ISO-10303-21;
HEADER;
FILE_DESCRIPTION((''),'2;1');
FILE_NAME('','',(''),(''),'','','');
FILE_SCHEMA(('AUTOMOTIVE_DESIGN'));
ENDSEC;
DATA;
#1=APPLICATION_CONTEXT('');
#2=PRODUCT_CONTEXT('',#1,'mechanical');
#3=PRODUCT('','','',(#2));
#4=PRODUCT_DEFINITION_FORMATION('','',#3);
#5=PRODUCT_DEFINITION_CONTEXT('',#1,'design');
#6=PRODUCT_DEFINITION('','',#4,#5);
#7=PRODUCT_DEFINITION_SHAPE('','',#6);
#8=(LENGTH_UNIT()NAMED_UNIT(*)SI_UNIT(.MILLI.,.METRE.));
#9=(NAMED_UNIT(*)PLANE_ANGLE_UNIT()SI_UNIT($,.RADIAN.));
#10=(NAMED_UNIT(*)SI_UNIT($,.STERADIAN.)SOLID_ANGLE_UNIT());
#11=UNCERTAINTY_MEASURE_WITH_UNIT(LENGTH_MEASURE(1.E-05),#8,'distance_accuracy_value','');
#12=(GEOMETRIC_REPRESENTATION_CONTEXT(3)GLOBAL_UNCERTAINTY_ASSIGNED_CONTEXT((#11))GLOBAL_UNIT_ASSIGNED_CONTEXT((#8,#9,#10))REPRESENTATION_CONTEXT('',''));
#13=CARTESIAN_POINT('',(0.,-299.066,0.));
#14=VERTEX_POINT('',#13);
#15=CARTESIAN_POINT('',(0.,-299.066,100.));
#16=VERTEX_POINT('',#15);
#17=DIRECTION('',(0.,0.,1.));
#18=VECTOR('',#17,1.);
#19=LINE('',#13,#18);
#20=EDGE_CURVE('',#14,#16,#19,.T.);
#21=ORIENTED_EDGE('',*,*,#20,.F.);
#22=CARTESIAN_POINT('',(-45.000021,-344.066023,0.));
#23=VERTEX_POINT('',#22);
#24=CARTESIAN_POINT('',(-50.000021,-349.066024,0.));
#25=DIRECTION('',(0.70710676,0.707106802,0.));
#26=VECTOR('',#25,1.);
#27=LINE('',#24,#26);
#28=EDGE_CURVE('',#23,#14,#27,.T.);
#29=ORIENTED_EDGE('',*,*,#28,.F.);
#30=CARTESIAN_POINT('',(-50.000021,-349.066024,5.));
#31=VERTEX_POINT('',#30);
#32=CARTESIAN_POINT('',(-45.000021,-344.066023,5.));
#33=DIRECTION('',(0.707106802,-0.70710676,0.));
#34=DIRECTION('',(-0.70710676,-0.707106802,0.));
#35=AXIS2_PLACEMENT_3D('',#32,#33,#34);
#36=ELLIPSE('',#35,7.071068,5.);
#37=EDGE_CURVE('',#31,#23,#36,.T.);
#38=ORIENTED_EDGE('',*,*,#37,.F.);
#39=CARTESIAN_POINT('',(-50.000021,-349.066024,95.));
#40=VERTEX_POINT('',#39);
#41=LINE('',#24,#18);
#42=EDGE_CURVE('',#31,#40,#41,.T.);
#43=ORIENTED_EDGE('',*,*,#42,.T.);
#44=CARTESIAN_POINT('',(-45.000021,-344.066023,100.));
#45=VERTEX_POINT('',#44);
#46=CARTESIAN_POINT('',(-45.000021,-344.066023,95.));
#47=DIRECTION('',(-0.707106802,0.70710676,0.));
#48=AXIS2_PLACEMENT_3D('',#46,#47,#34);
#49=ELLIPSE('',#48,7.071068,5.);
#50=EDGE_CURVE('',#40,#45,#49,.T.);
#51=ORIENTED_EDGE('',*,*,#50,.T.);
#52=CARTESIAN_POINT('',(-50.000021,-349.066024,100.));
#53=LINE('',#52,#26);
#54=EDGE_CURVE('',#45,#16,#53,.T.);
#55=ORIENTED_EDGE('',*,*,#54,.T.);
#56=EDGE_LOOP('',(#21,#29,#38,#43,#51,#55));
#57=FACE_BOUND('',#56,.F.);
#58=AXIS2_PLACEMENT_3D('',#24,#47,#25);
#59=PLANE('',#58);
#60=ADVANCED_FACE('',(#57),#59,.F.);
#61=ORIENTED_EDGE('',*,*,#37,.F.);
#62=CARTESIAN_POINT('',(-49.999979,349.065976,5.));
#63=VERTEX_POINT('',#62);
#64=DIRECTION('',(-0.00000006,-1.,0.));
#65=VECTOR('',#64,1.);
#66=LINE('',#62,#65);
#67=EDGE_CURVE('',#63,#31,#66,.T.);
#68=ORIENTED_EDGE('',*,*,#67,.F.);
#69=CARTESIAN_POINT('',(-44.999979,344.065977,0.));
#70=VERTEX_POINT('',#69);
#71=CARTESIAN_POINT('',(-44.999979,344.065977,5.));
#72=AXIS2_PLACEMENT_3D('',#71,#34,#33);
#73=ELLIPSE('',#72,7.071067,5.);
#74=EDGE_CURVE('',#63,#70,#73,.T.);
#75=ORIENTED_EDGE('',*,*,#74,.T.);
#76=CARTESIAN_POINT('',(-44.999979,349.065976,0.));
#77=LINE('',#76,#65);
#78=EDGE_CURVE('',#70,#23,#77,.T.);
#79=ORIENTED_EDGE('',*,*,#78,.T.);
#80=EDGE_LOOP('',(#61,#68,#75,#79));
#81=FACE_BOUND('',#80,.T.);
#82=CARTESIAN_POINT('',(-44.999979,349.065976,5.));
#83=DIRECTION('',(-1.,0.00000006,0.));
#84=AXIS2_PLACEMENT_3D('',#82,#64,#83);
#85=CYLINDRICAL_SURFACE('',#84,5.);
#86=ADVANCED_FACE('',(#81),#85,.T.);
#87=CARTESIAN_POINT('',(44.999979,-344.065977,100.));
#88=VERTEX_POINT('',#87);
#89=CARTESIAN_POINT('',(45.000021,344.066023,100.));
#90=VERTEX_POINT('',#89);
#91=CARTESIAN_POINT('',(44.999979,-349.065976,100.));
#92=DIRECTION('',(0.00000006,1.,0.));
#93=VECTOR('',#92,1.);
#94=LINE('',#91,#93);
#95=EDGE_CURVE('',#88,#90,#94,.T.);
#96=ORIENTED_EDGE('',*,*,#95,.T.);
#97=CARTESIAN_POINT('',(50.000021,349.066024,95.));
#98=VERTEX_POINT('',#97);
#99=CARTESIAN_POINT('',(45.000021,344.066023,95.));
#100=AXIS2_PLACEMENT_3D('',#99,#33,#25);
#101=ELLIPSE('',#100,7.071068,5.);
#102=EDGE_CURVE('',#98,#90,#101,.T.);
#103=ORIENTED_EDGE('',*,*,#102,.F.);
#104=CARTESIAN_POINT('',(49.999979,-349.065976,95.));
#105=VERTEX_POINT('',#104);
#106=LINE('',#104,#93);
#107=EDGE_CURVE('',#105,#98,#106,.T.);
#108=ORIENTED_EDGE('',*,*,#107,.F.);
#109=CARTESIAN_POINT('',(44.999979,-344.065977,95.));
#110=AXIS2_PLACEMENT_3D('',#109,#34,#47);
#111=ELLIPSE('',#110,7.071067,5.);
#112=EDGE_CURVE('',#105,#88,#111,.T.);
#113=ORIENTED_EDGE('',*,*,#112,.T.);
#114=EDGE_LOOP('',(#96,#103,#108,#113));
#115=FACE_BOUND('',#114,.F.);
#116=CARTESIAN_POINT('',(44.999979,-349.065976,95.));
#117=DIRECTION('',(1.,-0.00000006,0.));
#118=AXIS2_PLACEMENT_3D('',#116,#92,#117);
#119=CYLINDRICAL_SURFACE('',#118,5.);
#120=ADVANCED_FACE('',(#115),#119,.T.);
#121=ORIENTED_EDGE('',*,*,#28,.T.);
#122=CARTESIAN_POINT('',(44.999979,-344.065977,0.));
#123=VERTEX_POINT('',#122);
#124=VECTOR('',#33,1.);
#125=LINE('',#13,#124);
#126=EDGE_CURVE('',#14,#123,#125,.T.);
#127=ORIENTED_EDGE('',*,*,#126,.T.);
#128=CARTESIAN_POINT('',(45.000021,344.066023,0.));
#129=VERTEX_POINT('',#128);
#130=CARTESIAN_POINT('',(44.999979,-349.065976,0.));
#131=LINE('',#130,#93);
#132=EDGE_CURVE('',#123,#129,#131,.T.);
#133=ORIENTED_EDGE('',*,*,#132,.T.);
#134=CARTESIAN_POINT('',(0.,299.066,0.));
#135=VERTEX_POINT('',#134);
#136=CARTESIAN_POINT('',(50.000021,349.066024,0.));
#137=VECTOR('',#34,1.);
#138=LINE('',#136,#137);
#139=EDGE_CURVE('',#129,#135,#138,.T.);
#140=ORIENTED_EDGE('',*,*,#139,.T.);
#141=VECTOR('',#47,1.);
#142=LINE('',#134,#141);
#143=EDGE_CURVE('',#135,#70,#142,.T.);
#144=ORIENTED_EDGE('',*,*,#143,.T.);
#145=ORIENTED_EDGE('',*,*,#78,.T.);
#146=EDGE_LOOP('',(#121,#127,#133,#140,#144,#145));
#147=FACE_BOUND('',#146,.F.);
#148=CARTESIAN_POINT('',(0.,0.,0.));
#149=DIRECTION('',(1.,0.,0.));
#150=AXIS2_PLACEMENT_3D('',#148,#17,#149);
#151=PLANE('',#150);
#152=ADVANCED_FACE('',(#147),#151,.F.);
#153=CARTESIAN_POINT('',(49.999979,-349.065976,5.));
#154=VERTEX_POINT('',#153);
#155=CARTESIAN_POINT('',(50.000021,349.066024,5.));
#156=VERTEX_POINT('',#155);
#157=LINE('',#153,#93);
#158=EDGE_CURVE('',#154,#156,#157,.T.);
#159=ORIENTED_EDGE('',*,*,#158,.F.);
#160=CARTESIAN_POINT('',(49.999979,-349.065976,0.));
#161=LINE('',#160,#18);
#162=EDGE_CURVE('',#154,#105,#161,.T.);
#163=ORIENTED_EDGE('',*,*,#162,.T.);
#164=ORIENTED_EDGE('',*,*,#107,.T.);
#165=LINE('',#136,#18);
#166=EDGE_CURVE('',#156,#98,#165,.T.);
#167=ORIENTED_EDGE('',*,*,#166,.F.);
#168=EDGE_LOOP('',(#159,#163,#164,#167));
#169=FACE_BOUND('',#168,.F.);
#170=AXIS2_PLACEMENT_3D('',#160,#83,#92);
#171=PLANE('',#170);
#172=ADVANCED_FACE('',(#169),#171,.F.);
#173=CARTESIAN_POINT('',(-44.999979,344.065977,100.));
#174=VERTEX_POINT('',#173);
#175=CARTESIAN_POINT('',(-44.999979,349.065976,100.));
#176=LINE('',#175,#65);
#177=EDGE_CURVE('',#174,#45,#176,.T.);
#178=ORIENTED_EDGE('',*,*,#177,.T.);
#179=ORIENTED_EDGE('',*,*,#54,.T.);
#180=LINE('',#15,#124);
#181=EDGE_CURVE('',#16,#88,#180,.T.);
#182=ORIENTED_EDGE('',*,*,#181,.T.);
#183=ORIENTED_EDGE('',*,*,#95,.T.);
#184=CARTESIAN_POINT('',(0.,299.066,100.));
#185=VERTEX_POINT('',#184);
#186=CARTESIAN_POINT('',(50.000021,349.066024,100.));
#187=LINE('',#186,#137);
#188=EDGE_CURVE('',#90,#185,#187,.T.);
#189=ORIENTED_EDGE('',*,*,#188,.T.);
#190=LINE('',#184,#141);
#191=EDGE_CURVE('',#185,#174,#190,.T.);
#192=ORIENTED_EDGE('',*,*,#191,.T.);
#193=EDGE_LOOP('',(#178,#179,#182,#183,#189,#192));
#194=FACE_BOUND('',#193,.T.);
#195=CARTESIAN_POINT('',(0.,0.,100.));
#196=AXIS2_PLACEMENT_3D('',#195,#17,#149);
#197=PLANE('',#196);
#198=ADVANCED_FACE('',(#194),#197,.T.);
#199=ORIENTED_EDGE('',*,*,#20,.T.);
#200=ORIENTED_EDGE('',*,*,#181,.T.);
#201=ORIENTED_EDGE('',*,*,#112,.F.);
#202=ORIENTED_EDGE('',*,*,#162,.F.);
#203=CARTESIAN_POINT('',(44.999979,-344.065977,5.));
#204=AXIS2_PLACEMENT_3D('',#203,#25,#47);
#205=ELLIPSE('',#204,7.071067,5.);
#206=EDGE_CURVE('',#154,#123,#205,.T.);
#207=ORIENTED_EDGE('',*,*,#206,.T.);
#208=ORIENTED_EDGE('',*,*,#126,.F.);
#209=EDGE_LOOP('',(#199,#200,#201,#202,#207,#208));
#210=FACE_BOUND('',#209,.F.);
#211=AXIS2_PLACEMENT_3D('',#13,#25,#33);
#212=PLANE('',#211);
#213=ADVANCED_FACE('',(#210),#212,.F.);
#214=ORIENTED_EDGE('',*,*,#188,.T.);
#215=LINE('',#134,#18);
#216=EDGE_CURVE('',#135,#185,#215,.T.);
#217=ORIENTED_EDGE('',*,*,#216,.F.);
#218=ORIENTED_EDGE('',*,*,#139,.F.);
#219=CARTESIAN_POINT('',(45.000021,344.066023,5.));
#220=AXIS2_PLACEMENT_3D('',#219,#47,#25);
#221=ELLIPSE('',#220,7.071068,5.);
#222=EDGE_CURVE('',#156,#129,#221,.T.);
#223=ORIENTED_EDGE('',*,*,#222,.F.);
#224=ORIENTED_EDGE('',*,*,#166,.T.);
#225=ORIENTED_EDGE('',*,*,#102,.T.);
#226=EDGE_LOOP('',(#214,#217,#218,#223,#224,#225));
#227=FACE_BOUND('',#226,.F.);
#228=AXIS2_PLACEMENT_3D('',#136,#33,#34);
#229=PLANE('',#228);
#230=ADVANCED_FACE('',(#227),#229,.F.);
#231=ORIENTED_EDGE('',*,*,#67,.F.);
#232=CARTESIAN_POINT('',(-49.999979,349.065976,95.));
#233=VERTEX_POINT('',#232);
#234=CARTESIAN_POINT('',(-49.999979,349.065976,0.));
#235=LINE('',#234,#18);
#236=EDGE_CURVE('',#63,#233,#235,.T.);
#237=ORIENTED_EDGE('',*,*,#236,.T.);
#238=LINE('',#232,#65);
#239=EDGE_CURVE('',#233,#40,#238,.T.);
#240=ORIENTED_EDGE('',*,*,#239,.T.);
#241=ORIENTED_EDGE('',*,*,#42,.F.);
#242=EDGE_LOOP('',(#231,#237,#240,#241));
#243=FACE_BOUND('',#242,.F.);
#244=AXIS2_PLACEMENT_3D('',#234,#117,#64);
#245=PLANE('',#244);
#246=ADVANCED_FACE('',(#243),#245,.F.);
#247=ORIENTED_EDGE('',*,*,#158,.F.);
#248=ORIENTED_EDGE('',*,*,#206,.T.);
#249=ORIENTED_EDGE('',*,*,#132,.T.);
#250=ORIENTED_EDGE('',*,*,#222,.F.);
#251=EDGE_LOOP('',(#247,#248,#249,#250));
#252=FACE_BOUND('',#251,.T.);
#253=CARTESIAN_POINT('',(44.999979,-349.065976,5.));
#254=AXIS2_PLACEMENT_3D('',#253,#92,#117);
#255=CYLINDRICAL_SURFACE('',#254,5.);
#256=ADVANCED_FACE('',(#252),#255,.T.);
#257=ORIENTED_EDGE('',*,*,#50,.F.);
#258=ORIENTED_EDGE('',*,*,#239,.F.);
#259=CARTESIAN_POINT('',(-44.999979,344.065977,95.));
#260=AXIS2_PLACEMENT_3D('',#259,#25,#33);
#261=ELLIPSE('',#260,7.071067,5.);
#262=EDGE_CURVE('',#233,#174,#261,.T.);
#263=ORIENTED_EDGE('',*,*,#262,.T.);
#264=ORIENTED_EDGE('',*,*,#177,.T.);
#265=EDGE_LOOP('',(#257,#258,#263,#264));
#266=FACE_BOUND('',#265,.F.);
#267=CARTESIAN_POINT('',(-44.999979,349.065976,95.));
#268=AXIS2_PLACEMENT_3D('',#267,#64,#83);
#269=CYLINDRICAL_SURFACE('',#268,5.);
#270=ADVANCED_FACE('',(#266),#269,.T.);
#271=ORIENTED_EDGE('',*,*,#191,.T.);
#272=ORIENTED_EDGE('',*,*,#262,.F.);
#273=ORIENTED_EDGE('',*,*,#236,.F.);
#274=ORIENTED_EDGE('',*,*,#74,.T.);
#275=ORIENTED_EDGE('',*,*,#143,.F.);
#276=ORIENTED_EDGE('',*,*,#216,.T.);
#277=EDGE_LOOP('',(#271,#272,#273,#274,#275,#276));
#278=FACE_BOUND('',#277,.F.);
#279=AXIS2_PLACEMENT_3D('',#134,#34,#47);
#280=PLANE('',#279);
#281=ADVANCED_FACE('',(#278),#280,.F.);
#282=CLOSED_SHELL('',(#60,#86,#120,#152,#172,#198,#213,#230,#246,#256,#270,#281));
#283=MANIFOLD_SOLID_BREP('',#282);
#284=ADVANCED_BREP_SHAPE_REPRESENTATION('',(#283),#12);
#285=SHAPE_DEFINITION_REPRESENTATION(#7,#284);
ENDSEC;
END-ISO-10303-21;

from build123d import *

# Parameters (mm, degrees)
F1_DEPTH = 100
F2_R     = 5


with BuildPart() as f1:
    # F0 (on Top) → F1 (new body)
    with BuildSketch(Plane.XY):
        Polygon((-49.999979, 349.065976), (-50.000021, -349.066024), (0, -299.066), (49.999979, -349.065976), (50.000021, 349.066024), (0, 299.066), align=None)
    extrude(amount=F1_DEPTH)

    # F2
    f2_edges = [f1.edges().sort_by_distance(p)[0] for p in [
        (50, 2.4e-05, 100),
        (50, 2.4e-05, 0),
        (-50, -2.4e-05, 100),
        (-50, -2.4e-05, 0),
    ]]
    fillet(f2_edges, radius=F2_R)


solid = f1.part
